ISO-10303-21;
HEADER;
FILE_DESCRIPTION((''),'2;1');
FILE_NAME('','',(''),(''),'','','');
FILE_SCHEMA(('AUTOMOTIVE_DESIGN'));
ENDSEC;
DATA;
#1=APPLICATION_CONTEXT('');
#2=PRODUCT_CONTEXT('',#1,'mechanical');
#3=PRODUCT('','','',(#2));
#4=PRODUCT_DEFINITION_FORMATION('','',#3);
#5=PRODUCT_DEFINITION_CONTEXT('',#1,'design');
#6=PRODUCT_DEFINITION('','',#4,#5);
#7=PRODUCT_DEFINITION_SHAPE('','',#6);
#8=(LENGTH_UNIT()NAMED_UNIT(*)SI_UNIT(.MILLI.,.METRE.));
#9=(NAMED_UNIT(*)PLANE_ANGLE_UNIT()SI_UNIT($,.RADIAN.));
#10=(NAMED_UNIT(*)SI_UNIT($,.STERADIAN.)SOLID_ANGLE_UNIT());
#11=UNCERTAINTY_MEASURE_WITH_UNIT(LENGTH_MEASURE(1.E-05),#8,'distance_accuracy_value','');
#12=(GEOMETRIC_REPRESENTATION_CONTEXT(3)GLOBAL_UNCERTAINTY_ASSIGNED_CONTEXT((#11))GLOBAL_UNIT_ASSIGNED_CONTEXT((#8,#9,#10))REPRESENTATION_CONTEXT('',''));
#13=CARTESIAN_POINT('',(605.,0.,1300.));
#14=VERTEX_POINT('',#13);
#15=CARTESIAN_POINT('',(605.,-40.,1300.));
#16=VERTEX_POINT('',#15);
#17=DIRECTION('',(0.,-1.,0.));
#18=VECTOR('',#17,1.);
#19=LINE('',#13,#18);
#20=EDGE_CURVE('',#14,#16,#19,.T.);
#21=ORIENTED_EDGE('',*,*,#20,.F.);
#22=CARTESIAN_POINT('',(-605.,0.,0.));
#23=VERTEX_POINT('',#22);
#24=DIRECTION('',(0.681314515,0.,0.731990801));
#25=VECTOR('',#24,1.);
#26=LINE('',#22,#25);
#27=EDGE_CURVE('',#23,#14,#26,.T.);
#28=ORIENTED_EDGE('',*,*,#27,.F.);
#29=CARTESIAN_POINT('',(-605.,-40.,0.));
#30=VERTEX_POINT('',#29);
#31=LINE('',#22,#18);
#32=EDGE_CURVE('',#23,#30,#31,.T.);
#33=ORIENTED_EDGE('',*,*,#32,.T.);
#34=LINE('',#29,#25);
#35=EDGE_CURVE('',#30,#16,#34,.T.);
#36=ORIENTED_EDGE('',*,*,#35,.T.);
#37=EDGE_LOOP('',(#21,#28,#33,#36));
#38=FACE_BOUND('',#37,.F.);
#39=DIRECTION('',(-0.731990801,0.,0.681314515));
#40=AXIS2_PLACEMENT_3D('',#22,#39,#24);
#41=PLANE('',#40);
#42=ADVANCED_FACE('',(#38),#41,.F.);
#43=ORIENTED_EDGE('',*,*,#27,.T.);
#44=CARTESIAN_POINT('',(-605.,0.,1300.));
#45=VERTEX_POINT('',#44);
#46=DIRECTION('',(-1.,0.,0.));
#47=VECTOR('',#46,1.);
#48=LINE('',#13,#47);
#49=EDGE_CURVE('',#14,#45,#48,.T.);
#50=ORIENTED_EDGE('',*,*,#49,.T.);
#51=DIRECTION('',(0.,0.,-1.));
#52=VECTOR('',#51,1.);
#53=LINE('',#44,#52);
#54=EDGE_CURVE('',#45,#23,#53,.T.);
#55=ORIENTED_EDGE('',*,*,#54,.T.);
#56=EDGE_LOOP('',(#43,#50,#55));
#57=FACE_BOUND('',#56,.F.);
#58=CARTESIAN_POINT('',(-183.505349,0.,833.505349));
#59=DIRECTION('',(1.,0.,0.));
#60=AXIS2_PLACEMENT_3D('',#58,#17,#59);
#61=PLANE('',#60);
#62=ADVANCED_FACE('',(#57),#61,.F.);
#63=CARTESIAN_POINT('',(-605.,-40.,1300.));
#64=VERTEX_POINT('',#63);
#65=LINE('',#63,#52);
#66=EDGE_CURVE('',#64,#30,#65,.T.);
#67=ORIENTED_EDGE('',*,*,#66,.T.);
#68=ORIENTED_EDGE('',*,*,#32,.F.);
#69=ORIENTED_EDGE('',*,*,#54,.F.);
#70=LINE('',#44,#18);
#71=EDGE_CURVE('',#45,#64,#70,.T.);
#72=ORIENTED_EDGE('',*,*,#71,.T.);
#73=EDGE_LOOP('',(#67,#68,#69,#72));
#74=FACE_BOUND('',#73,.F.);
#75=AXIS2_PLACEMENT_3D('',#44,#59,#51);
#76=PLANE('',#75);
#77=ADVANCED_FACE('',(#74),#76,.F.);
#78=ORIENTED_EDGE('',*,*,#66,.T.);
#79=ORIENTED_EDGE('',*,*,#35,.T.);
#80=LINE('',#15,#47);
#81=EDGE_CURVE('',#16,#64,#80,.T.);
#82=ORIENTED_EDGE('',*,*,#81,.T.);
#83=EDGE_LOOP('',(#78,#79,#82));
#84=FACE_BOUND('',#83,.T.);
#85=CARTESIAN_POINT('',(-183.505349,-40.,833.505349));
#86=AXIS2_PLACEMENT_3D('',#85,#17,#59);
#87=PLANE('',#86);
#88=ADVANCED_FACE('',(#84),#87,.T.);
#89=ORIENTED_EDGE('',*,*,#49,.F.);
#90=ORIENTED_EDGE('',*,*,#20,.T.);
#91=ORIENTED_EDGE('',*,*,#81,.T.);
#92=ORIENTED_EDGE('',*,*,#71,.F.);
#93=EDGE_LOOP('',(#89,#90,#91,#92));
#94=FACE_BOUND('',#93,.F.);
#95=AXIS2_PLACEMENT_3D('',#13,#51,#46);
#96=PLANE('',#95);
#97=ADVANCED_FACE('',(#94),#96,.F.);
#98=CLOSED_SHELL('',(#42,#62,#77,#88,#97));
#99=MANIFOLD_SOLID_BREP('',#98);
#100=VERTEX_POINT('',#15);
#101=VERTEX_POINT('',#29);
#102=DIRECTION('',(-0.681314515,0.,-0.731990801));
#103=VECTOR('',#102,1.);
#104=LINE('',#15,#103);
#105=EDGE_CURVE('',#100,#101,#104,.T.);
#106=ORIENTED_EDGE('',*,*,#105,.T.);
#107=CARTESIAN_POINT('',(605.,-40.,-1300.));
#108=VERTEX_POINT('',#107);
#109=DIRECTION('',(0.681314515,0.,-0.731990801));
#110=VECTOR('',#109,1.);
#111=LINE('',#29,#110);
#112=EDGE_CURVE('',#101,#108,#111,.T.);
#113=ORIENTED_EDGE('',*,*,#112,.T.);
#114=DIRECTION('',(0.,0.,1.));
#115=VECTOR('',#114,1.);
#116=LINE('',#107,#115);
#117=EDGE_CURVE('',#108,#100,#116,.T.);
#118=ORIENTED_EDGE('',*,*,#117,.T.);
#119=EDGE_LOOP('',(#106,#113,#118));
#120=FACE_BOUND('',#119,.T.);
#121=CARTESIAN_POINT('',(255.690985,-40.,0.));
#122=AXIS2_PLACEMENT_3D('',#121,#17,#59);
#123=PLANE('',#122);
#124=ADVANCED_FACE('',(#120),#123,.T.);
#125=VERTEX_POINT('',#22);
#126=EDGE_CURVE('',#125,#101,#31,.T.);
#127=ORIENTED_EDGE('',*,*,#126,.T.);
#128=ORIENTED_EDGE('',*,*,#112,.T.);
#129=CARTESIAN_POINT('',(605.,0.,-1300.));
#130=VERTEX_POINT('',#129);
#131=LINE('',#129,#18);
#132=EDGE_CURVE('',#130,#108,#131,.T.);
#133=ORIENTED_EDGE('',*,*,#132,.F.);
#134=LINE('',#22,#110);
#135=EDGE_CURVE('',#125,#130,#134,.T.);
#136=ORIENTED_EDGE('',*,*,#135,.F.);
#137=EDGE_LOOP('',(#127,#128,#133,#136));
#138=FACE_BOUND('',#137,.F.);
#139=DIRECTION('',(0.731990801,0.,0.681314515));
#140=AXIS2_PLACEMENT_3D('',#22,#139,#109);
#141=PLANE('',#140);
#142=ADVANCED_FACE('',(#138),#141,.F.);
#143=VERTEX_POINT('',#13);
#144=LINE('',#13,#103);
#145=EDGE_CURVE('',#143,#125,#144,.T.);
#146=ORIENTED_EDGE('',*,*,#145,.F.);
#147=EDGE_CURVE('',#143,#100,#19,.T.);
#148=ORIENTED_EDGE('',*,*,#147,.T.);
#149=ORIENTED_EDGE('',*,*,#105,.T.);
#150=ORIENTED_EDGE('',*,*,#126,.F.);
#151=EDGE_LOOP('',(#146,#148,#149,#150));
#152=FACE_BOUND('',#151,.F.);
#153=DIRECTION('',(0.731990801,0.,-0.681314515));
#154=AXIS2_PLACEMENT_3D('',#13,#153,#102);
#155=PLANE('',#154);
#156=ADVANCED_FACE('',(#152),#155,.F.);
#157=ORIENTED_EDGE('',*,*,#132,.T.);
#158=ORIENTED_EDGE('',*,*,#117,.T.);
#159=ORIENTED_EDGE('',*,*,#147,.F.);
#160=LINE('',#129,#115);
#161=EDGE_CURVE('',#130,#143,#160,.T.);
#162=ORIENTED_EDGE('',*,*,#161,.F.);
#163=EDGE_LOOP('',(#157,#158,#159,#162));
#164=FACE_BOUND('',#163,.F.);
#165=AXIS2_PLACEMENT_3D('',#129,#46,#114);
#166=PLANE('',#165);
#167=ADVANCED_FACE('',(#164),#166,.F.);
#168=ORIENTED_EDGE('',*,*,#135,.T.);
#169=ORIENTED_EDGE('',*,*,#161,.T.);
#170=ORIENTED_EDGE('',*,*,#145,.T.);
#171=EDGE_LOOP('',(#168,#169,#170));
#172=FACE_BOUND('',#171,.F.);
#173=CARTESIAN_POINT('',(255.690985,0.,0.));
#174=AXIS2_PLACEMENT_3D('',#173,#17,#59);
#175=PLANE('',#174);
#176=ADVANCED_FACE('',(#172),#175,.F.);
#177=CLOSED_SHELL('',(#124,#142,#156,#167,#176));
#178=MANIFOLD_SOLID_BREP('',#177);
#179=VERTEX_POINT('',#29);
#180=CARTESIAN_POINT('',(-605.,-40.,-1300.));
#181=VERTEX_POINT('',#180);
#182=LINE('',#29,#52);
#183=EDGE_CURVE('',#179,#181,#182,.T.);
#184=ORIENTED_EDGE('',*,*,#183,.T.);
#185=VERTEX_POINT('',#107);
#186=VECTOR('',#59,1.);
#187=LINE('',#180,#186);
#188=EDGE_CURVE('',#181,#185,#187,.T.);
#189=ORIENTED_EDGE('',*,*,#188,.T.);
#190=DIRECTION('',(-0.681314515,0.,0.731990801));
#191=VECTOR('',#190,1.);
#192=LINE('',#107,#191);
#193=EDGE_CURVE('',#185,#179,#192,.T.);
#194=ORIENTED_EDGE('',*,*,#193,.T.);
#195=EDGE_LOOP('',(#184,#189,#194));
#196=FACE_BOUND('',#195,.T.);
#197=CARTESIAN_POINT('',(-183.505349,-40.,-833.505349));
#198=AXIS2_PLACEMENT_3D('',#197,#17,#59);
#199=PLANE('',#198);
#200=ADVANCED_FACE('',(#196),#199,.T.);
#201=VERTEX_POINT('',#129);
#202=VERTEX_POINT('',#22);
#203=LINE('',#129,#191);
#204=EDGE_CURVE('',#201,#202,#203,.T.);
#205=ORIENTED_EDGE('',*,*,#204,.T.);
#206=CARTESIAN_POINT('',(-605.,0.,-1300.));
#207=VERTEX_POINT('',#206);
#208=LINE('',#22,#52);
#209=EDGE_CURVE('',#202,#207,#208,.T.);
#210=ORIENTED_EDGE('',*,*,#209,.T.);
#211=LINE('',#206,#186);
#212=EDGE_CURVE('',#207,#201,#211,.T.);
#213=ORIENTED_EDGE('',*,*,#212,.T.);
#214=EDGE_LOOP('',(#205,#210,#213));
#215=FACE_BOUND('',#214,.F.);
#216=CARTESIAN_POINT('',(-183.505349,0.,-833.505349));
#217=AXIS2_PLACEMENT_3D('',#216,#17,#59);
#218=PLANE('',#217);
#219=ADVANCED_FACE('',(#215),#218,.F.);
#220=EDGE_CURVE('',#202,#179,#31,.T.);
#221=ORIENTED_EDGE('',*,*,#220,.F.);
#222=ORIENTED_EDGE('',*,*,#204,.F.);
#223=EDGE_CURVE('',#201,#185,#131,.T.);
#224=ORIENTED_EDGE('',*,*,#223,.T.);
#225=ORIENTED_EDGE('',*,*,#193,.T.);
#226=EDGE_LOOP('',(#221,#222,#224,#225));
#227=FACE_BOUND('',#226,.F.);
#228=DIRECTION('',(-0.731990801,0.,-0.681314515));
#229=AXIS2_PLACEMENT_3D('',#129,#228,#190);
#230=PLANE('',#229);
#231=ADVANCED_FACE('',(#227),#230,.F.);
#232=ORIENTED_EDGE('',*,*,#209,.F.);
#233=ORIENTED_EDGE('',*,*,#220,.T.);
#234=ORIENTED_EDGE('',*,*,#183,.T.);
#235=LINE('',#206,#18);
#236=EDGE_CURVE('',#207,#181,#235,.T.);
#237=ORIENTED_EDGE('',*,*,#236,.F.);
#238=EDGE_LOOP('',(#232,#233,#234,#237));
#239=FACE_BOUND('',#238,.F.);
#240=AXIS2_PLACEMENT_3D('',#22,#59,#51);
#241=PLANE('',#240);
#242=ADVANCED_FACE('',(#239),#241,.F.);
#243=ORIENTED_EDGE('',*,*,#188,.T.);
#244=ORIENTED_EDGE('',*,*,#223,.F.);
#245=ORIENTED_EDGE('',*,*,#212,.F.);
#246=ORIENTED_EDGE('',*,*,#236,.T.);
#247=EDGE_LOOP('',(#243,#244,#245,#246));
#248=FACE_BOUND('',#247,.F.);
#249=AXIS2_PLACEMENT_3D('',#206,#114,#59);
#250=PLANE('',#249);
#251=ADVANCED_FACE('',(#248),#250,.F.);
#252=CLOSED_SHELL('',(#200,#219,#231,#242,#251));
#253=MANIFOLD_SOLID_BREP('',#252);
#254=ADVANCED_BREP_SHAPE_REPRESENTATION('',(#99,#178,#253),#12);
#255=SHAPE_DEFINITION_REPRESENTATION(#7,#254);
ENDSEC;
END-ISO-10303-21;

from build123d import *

# Parameters (mm, degrees)
F1_DEPTH = 40
F2_DEPTH = 40


with BuildPart() as f1:
    # F0 (on Front) → F1 (new body)
    with BuildSketch(Plane.XZ):
        Polygon((-605, 0), (605, -1300), (605, 1300), align=None)
    extrude(amount=F1_DEPTH)


with BuildPart() as f2:
    # F0 (on Front) → F2 (new body)
    with BuildSketch(Plane.XZ):
        Polygon((-605, -1300), (605, -1300), (-605, 0), align=None)
        Polygon((-605, 0), (605, 1300), (-605, 1300), align=None)
    extrude(amount=F2_DEPTH)


solid = Compound([f1.part, f2.part])
